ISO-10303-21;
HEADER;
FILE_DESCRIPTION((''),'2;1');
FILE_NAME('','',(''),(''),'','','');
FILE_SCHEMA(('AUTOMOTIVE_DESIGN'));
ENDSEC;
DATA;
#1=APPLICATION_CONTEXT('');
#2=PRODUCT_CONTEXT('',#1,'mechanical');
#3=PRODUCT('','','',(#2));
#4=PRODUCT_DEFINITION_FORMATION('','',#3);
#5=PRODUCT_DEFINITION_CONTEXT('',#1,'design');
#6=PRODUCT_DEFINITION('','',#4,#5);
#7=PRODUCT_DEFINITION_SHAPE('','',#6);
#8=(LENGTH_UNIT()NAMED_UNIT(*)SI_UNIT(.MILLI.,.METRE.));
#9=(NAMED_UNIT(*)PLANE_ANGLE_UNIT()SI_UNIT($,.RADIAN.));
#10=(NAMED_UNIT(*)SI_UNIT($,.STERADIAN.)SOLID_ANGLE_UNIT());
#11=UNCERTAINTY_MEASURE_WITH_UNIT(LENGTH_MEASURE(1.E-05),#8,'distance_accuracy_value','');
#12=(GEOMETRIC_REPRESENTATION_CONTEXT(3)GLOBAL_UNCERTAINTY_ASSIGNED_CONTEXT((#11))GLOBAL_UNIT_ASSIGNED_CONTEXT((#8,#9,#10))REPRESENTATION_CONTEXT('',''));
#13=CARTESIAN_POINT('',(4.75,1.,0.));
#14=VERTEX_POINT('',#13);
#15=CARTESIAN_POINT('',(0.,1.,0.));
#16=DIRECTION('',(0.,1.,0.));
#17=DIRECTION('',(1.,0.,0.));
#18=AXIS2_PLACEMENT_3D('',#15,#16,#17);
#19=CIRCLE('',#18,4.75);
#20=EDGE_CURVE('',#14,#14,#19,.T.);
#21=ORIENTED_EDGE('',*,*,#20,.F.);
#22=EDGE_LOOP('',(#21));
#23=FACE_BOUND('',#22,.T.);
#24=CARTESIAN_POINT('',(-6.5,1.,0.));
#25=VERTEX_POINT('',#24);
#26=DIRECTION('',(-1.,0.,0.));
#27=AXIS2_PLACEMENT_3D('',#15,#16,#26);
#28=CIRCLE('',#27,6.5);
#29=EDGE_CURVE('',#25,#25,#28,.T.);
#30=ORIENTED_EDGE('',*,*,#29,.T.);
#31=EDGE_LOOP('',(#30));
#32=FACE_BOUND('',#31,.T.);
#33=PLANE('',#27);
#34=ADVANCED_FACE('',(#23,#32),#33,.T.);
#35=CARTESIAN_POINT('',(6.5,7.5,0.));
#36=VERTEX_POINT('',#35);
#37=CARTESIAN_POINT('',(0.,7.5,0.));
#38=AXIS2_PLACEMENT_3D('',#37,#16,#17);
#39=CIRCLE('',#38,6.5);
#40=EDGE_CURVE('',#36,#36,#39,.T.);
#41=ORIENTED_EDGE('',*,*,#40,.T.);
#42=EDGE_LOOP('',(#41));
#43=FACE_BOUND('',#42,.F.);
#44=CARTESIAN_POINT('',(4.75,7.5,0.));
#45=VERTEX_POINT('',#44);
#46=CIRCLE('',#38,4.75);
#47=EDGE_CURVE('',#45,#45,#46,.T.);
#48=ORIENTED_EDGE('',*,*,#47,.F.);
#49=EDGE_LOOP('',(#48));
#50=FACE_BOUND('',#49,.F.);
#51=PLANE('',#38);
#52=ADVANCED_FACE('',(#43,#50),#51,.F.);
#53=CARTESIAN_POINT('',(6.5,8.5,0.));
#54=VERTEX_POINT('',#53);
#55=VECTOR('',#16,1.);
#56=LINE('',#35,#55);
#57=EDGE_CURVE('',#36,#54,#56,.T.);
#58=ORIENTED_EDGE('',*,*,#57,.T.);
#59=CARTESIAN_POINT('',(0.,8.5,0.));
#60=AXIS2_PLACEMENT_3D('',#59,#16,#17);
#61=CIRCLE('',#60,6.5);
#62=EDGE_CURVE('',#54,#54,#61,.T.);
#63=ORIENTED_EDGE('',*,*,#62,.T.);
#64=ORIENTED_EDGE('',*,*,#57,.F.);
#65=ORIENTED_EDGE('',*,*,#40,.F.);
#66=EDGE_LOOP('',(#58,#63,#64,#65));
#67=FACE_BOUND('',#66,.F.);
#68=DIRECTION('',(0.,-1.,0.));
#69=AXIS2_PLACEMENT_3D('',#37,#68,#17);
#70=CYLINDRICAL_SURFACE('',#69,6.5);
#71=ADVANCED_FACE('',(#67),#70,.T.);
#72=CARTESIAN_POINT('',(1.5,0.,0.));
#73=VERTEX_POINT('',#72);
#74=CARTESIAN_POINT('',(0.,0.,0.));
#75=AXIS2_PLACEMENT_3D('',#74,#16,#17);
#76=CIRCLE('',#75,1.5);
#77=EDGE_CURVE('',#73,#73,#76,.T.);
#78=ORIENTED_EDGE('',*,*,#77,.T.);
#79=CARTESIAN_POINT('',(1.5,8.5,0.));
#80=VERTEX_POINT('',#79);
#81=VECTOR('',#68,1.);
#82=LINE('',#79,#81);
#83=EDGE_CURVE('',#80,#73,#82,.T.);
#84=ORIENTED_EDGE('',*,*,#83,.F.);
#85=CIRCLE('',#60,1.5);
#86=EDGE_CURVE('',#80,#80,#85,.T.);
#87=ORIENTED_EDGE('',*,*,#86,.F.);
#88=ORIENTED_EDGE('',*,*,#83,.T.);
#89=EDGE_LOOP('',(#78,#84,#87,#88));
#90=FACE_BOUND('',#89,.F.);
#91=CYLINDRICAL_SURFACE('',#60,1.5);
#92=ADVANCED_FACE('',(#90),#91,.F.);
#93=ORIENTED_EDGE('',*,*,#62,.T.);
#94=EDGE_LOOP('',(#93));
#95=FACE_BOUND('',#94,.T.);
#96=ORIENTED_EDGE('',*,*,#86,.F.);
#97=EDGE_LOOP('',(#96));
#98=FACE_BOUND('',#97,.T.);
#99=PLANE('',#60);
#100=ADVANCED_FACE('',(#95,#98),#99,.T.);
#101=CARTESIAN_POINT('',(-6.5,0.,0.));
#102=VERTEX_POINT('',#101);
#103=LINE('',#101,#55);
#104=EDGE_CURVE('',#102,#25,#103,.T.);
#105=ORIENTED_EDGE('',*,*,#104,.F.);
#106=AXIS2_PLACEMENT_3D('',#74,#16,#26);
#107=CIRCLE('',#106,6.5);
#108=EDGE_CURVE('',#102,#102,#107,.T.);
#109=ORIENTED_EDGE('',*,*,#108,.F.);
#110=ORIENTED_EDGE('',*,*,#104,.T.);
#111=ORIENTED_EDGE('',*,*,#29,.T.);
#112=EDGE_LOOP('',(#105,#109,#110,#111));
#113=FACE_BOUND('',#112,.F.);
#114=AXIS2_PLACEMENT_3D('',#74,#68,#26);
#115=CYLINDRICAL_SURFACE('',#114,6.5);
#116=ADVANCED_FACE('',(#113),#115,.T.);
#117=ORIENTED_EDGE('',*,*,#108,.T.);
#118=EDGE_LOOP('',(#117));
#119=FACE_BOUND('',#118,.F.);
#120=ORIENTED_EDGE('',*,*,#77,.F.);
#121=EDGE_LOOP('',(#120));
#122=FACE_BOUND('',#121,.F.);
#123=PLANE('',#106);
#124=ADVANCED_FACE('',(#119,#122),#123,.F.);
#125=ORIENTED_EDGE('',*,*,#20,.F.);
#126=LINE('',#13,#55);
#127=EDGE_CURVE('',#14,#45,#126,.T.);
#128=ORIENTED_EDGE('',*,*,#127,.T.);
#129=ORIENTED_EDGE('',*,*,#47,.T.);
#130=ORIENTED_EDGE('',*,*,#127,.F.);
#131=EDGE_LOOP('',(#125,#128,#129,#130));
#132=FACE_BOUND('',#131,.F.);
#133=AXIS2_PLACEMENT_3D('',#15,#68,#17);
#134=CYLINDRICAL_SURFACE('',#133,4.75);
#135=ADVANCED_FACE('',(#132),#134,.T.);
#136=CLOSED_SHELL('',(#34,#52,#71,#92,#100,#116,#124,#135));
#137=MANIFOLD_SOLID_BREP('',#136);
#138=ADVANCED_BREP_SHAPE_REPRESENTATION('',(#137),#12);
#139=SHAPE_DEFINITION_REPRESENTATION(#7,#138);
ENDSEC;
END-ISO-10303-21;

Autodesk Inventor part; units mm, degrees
ref_plane "YZ Plane" through (0, 0, 0) normal (1, 0, 0) x (0, 1, 0)
ref_plane "XZ Plane" through (0, 0, 0) normal (0, 1, 0) x (-1, 0, 0)
ref_plane "XY Plane" through (0, 0, 0) normal (0, 0, 1) x (1, 0, 0)
sketch "Sketch1" plane through (0, 0, 0) normal (0, 1, 0) x (-1, 0, 0)
  circle A0 centre (0, 0) radius 6.5
  dimension "d0" = 13
extrude "Extrusion1" add sketch "Sketch1" along normal blind 1
sketch "Sketch2" plane through (0, 1, 0) normal (0, 1, 0) x (1, 0, 0)
  circle A0 centre (0, 0) radius 4.75
  dimension "d3" = 9.5
extrude "Extrusion2" add sketch "Sketch2" along normal blind 6.5
sketch "Sketch3" plane through (0, 7.5, 0) normal (0, 1, 0) x (1, 0, 0)
  circle A0 centre (0, 0) radius 4.75 projected
  circle A1 centre (0, 0) radius 6.5 projected
extrude "Extrusion3" add sketch "Sketch3" along normal blind 1 contours A0 | A1
sketch "Sketch4" plane through (0, 8.5, 0) normal (0, 1, 0) x (1, 0, 0)
  circle A0 centre (0, 0) radius 1.5
  dimension "d8" = 3
extrude "Extrusion4" cut sketch "Sketch4" against normal blind 10
properties part number "2GT_wheel1"
